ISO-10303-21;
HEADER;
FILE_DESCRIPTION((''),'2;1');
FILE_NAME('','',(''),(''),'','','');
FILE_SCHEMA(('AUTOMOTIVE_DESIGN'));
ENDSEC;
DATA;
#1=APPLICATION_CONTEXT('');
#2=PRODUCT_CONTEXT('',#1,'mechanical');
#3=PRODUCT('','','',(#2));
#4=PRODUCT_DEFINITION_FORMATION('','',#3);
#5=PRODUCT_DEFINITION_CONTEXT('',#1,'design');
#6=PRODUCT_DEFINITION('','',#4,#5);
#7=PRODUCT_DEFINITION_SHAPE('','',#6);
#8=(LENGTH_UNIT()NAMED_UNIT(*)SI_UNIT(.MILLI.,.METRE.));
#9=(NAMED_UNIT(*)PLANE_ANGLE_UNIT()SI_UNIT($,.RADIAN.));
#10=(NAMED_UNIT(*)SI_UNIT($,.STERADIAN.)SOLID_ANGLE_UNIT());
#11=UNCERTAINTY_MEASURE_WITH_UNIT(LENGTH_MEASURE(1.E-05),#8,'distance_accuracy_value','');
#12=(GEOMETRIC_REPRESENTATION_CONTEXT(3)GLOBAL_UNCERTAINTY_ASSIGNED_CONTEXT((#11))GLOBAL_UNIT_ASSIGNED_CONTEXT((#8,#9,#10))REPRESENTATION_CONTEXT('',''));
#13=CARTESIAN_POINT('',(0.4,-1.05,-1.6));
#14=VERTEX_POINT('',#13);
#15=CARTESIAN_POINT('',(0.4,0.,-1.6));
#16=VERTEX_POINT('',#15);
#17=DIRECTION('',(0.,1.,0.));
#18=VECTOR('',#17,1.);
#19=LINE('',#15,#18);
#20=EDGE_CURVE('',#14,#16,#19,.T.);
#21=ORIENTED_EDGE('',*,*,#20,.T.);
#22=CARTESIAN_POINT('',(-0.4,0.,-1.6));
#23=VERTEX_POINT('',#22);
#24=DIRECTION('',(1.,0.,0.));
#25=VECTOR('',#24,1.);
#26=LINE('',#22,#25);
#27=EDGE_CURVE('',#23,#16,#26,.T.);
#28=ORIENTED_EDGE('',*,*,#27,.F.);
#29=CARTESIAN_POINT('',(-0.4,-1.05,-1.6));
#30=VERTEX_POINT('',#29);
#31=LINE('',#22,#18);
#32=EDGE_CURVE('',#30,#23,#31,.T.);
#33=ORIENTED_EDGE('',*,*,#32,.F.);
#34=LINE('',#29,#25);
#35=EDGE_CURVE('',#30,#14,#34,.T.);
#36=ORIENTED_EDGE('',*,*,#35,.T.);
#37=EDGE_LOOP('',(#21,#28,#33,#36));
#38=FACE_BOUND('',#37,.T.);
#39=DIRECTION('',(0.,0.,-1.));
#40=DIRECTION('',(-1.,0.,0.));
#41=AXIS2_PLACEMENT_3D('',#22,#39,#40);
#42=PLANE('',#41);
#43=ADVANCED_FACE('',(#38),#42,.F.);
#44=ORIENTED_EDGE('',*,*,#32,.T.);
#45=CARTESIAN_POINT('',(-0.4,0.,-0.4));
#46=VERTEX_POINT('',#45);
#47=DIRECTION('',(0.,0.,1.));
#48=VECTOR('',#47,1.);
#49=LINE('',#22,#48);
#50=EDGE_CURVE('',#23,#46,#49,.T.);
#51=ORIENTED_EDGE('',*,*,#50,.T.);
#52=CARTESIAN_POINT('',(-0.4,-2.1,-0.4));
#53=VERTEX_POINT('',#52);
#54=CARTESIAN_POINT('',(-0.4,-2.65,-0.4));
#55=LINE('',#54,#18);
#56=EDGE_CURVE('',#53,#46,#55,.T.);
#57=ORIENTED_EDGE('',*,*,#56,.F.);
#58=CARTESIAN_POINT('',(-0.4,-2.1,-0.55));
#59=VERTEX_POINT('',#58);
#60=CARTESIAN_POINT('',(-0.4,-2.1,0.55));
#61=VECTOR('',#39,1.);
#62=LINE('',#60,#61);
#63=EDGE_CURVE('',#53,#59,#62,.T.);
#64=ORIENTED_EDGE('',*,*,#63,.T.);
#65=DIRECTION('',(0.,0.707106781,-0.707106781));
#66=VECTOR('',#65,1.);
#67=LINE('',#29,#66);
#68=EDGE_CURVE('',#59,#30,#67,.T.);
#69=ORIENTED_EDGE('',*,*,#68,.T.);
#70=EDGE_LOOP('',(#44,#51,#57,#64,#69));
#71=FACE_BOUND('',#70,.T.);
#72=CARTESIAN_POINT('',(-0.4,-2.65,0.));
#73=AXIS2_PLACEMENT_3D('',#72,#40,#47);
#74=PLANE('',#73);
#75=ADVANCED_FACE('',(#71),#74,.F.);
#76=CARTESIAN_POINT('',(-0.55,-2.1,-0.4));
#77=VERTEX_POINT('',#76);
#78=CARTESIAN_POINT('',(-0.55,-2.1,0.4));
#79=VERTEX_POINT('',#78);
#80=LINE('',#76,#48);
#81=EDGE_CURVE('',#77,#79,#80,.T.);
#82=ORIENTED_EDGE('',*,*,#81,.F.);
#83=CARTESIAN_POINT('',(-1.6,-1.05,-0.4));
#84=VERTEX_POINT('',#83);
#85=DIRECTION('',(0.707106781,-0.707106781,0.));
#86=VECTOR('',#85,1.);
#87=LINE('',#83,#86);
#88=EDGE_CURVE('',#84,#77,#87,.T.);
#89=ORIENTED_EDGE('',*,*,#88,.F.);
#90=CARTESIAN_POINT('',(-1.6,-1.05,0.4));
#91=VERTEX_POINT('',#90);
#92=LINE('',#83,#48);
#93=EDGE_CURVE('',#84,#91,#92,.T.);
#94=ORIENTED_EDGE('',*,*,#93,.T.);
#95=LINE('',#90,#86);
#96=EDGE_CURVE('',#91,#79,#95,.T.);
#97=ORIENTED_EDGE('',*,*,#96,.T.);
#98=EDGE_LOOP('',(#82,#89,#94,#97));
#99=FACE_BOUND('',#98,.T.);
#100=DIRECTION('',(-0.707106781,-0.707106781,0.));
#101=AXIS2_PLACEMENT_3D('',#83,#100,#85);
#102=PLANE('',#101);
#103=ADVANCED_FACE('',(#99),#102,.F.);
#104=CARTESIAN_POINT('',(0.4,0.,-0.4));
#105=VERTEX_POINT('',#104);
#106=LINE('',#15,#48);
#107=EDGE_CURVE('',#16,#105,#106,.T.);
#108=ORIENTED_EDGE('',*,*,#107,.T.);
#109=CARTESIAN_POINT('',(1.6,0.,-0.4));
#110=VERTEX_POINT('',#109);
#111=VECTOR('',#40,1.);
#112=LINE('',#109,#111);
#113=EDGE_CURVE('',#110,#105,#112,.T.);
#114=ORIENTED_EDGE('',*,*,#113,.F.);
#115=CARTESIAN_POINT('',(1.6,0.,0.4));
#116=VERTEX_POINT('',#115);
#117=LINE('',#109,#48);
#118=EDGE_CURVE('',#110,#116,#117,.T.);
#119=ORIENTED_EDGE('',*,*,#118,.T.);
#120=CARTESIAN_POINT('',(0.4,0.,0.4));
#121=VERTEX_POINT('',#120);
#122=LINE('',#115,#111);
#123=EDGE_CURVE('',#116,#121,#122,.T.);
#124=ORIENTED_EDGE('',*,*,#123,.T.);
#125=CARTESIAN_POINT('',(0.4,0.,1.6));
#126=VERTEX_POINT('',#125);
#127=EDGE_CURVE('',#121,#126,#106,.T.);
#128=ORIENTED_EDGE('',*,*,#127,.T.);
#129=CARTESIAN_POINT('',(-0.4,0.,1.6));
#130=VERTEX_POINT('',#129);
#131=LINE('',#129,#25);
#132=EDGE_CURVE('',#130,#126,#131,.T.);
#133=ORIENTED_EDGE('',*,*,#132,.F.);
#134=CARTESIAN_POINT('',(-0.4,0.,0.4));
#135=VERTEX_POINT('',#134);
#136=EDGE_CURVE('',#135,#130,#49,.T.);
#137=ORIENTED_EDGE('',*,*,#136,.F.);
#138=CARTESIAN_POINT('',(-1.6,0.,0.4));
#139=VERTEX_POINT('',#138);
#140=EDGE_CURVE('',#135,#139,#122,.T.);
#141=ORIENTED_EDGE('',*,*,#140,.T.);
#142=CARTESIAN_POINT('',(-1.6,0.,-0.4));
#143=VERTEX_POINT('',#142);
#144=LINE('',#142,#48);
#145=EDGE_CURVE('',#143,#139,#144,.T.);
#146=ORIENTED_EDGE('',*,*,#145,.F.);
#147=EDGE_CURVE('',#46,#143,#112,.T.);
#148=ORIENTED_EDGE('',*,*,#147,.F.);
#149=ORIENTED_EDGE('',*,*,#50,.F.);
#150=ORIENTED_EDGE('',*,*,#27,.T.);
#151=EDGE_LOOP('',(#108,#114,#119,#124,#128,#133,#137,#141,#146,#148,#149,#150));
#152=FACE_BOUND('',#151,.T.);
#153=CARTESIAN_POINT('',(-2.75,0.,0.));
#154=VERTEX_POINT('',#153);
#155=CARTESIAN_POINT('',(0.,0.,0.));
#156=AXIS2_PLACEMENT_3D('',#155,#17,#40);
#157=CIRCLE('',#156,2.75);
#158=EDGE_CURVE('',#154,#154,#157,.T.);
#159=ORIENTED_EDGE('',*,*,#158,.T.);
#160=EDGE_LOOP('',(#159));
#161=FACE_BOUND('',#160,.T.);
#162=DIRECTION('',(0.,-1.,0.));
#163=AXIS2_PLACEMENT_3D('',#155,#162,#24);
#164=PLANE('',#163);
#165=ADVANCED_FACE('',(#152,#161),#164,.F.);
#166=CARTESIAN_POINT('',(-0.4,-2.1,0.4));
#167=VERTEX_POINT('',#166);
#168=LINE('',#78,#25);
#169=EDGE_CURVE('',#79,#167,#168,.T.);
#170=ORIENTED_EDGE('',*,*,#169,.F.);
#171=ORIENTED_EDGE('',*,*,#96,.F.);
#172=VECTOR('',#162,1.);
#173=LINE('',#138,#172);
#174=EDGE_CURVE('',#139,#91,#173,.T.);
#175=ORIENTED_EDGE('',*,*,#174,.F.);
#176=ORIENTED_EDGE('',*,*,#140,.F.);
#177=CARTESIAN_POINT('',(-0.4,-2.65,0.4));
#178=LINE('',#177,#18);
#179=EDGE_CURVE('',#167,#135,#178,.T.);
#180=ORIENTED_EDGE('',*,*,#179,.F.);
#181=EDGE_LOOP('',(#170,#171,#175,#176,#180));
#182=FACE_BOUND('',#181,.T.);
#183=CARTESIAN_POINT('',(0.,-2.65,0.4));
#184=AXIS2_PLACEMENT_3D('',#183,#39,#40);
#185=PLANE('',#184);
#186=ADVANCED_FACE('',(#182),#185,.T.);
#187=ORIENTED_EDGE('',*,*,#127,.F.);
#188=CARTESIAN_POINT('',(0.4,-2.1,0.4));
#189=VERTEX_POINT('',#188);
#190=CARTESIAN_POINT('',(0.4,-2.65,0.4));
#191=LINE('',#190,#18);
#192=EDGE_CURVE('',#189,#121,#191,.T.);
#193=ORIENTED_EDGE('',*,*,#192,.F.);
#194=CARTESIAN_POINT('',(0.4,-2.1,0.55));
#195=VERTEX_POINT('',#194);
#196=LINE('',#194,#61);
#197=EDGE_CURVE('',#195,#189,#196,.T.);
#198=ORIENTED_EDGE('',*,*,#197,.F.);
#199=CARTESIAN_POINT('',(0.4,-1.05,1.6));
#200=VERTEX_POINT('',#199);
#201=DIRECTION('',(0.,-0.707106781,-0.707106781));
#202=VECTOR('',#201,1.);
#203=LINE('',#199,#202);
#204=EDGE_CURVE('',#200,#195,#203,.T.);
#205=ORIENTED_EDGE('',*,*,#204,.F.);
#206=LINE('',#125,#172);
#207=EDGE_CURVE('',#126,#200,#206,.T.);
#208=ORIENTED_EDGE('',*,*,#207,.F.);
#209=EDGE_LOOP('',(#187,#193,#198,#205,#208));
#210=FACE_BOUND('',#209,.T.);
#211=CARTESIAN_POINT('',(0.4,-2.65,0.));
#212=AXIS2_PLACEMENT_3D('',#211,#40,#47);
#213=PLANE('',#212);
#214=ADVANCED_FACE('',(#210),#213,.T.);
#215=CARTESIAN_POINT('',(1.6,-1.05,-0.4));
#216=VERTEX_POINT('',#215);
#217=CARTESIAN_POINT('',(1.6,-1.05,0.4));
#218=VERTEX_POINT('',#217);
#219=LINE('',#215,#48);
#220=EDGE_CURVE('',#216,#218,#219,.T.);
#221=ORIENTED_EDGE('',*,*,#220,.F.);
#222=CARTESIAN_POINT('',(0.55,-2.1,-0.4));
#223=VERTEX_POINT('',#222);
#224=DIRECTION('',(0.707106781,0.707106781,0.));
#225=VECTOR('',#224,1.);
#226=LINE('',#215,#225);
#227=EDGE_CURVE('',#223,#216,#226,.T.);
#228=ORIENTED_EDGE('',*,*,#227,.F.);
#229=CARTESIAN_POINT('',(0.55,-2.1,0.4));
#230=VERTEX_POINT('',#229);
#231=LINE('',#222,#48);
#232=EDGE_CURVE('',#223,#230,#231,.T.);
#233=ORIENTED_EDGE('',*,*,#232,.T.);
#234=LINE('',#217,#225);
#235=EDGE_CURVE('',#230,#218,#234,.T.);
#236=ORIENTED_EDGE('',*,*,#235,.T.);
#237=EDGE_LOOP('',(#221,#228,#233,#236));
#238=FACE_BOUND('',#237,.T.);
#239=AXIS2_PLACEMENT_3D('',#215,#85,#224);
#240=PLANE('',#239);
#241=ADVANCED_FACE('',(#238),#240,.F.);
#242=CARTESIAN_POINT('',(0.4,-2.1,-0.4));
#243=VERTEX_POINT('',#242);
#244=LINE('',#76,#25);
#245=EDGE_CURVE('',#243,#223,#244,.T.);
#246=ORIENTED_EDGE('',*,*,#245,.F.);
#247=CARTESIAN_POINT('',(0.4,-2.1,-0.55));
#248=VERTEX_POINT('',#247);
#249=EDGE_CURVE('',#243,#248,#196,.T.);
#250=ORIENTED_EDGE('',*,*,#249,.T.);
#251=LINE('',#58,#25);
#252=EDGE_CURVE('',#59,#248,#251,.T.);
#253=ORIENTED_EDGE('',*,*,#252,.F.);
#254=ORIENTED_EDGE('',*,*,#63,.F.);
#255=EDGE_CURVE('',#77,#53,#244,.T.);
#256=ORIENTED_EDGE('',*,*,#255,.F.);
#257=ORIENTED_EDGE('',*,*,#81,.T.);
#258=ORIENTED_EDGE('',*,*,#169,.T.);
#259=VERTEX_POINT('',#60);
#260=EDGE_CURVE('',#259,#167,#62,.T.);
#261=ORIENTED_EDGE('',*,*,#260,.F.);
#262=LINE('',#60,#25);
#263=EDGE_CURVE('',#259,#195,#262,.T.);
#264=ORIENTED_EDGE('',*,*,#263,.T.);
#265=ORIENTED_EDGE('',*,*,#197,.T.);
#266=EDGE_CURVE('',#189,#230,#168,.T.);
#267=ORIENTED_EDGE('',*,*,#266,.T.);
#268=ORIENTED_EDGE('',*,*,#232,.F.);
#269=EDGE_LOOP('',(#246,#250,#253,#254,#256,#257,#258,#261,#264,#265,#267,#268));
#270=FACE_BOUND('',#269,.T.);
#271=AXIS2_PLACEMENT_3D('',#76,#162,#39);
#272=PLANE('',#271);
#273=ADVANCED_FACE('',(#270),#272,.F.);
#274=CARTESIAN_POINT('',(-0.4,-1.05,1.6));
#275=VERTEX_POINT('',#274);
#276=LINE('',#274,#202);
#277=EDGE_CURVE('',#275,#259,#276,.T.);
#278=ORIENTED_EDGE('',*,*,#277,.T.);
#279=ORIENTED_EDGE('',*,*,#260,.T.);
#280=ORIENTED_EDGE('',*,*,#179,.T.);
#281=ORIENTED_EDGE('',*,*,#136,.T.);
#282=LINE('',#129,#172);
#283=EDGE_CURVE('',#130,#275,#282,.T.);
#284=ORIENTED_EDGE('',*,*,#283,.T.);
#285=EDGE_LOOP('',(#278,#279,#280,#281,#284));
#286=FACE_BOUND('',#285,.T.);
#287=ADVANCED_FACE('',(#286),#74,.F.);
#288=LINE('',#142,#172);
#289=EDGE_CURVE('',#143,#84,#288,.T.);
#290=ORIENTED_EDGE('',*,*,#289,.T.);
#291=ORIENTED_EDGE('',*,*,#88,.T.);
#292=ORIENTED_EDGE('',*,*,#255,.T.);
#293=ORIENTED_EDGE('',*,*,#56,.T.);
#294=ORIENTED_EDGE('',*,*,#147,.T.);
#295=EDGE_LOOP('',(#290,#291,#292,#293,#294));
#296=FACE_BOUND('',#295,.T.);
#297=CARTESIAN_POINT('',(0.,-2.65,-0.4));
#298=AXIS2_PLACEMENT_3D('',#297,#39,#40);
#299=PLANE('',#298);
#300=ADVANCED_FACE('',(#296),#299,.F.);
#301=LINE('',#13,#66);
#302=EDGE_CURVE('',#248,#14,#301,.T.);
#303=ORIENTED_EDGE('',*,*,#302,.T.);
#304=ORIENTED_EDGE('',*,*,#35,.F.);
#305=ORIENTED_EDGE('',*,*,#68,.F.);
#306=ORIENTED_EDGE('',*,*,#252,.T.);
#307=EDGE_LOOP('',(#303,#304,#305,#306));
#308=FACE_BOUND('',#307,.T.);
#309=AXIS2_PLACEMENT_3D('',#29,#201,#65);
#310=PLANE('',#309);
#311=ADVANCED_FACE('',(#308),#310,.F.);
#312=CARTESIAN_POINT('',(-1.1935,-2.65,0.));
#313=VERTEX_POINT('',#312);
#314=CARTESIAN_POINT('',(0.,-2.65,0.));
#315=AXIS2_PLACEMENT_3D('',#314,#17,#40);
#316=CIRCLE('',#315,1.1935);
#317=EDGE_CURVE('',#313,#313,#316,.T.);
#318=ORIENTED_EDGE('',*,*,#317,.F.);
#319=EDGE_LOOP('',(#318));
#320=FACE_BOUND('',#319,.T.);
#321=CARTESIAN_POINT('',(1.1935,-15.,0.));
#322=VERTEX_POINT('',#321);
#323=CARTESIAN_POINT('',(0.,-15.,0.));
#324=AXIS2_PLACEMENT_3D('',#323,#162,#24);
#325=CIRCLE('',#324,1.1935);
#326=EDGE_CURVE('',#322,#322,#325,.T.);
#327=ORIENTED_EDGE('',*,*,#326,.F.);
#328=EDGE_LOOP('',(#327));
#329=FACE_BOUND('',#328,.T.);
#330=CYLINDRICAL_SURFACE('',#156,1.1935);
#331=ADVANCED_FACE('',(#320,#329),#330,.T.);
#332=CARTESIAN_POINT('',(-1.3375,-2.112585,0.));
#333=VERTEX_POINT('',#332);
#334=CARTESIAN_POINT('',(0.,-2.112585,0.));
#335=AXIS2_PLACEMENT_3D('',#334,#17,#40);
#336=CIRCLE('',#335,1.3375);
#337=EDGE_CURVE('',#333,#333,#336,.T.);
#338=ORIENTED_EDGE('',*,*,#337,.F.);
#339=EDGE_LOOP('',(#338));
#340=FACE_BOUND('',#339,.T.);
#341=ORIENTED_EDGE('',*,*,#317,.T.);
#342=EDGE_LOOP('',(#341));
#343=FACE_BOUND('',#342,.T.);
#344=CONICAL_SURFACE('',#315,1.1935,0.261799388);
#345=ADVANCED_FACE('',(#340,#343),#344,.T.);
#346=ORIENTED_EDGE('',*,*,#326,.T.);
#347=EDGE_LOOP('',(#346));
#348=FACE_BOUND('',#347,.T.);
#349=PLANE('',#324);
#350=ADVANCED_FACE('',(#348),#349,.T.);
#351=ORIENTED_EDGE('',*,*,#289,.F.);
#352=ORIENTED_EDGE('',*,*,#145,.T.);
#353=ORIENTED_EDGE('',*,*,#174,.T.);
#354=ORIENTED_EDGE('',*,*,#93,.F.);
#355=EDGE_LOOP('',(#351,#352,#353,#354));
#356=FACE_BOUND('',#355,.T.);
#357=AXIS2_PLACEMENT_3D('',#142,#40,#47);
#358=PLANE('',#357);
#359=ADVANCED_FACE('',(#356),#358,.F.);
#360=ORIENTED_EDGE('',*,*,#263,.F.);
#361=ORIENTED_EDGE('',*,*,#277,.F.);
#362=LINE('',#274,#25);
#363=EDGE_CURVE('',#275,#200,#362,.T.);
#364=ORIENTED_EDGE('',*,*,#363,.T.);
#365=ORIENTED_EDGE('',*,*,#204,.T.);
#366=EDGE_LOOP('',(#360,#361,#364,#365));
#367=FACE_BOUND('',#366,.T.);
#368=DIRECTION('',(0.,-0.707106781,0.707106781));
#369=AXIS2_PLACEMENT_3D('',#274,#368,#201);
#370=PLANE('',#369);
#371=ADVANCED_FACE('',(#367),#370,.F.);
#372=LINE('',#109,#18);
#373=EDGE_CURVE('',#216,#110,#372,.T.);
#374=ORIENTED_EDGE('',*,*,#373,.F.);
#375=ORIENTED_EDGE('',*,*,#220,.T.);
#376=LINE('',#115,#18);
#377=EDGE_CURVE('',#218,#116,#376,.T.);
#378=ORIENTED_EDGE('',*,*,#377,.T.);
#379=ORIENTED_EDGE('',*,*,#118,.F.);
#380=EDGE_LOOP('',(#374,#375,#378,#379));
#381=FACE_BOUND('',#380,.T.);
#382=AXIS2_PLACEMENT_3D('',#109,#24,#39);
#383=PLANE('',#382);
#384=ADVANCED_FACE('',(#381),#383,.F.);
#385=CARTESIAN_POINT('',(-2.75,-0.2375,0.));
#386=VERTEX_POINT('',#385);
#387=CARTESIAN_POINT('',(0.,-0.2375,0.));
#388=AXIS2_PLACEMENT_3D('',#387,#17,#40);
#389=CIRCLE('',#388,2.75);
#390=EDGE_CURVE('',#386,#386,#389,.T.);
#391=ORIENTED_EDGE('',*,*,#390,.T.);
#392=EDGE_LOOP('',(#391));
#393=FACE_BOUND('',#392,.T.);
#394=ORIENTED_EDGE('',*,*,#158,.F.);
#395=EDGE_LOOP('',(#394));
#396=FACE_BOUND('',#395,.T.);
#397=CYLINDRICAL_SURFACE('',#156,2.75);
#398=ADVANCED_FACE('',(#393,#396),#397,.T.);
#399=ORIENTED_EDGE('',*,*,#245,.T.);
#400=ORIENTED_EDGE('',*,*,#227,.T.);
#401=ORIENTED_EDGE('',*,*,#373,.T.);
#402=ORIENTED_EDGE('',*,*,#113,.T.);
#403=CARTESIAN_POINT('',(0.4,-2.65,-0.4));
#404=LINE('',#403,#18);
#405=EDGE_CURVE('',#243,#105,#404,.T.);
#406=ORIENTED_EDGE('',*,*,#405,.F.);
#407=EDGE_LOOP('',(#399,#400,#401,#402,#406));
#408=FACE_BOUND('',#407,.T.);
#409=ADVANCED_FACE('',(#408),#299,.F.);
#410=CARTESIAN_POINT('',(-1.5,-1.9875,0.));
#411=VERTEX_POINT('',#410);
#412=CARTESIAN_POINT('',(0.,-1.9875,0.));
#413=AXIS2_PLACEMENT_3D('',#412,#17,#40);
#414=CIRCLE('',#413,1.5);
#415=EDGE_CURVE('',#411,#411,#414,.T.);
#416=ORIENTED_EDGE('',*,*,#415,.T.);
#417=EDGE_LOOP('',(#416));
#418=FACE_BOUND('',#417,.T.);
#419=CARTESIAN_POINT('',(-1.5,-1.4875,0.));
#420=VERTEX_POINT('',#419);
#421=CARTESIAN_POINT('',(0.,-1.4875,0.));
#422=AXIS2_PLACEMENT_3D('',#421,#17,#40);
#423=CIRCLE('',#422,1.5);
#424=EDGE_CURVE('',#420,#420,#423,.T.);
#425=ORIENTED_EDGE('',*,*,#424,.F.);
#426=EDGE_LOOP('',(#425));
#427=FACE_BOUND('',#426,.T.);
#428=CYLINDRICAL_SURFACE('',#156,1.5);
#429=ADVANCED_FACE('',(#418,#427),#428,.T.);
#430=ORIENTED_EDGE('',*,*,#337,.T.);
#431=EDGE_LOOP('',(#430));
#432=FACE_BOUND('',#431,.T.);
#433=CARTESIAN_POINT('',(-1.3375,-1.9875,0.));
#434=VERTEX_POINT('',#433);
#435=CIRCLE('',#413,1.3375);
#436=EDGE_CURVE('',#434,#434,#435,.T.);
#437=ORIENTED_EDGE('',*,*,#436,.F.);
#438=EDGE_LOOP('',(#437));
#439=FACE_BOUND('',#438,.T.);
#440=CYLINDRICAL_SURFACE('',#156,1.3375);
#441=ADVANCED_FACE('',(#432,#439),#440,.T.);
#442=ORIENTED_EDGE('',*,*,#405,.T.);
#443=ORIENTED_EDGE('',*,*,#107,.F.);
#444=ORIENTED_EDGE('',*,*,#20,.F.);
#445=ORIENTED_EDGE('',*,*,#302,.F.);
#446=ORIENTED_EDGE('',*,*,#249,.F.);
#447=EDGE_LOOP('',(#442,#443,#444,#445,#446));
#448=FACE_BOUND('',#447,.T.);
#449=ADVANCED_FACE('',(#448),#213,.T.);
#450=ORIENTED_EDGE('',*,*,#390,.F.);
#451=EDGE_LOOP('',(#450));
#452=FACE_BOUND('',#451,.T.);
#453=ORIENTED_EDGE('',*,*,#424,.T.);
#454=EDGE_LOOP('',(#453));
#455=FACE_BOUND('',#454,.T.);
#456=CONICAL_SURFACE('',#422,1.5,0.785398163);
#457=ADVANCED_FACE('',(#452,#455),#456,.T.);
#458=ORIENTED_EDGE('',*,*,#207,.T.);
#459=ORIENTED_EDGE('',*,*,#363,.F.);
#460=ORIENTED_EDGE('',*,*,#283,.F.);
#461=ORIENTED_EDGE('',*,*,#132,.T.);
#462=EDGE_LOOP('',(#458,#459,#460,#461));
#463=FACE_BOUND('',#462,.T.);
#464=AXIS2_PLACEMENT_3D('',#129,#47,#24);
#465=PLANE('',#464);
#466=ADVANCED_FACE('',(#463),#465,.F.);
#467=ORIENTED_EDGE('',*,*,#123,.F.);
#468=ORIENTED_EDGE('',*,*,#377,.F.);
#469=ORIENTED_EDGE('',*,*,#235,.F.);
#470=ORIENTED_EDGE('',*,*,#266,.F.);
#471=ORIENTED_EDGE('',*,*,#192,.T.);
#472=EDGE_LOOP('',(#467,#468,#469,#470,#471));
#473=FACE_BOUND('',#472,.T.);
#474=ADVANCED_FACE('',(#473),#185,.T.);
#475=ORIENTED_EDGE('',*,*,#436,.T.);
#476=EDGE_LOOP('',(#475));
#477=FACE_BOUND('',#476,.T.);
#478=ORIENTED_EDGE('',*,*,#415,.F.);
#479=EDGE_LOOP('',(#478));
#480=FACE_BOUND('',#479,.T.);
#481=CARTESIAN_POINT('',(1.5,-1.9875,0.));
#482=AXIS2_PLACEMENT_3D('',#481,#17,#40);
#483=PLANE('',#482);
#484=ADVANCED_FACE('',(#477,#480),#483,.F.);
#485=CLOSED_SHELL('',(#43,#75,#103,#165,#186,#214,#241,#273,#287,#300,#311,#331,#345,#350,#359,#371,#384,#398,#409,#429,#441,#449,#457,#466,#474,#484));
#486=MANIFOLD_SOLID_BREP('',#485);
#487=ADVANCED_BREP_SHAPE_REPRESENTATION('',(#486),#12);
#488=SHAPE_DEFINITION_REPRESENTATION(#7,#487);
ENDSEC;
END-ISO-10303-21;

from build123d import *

# Parameters (mm, degrees)
KREUZSCHLITZ1_H_DEPTH      = 0.4
KREUZSCHLITZ1_H_DEPTH_BACK = 0.4
KREUZSCHLITZ2_H_DEPTH      = 0.4
KREUZSCHLITZ2_H_DEPTH_BACK = 0.4
BOSS_EXTRUDE1_START        = 7
SKETCH1_R                  = 1.1935
BOSS_EXTRUDE1_DEPTH        = 7


with BuildPart() as part:
    # Skizze1 → Basis-Rotation (revolve)
    with BuildSketch(Plane.XY, mode=Mode.PRIVATE) as basis_rotation_sk:
        Polygon((0, 0), (2.75, 0), (2.75, -0.2375), (1.5, -1.4875), (1.5, -1.9875), (1.3375, -1.9875), (1.3375, -2.112584684), (1.1935, -2.65), (1.1935, -8), (0, -8), align=None)
    revolve(basis_rotation_sk.sketch.rotate(Axis((0, 0, 0), (0, -1, 0)), 180), axis=Axis((0, 0, 0), (0, -1, 0)))

    # Skizze2 → Kreuzschlitz1 H (cut, two sides: drawn at the far end of the back side and taken through both)
    with BuildSketch(Plane.XY.offset(-KREUZSCHLITZ1_H_DEPTH_BACK)):
        Polygon((-0.55, -2.1), (0.55, -2.1), (1.6, -1.05), (1.6, 0), (-1.6, 0), (-1.6, -1.05), align=None)
    extrude(amount=KREUZSCHLITZ1_H_DEPTH + KREUZSCHLITZ1_H_DEPTH_BACK, mode=Mode.SUBTRACT)

    # Skizze3 → Kreuzschlitz2 H (cut, two sides: drawn at the far end of the back side and taken through both)
    with BuildSketch(Plane(origin=(0, 0, 0), x_dir=(0, 0, -1), z_dir=(1, 0, 0)).offset(-KREUZSCHLITZ2_H_DEPTH_BACK)):
        Polygon((-0.55, -2.1), (0.55, -2.1), (1.6, -1.05), (1.6, 0), (-1.6, 0), (-1.6, -1.05), align=None)
    extrude(amount=KREUZSCHLITZ2_H_DEPTH + KREUZSCHLITZ2_H_DEPTH_BACK, mode=Mode.SUBTRACT)

    # Sketch1 → Boss-Extrude1 (add)
    with BuildSketch(Plane.XZ.offset(8).offset(BOSS_EXTRUDE1_START)):
        with Locations(Location((0, 0, 0), (0, 0, 180))):
            Circle(SKETCH1_R)
    extrude(amount=-BOSS_EXTRUDE1_DEPTH)


solid = part.part
